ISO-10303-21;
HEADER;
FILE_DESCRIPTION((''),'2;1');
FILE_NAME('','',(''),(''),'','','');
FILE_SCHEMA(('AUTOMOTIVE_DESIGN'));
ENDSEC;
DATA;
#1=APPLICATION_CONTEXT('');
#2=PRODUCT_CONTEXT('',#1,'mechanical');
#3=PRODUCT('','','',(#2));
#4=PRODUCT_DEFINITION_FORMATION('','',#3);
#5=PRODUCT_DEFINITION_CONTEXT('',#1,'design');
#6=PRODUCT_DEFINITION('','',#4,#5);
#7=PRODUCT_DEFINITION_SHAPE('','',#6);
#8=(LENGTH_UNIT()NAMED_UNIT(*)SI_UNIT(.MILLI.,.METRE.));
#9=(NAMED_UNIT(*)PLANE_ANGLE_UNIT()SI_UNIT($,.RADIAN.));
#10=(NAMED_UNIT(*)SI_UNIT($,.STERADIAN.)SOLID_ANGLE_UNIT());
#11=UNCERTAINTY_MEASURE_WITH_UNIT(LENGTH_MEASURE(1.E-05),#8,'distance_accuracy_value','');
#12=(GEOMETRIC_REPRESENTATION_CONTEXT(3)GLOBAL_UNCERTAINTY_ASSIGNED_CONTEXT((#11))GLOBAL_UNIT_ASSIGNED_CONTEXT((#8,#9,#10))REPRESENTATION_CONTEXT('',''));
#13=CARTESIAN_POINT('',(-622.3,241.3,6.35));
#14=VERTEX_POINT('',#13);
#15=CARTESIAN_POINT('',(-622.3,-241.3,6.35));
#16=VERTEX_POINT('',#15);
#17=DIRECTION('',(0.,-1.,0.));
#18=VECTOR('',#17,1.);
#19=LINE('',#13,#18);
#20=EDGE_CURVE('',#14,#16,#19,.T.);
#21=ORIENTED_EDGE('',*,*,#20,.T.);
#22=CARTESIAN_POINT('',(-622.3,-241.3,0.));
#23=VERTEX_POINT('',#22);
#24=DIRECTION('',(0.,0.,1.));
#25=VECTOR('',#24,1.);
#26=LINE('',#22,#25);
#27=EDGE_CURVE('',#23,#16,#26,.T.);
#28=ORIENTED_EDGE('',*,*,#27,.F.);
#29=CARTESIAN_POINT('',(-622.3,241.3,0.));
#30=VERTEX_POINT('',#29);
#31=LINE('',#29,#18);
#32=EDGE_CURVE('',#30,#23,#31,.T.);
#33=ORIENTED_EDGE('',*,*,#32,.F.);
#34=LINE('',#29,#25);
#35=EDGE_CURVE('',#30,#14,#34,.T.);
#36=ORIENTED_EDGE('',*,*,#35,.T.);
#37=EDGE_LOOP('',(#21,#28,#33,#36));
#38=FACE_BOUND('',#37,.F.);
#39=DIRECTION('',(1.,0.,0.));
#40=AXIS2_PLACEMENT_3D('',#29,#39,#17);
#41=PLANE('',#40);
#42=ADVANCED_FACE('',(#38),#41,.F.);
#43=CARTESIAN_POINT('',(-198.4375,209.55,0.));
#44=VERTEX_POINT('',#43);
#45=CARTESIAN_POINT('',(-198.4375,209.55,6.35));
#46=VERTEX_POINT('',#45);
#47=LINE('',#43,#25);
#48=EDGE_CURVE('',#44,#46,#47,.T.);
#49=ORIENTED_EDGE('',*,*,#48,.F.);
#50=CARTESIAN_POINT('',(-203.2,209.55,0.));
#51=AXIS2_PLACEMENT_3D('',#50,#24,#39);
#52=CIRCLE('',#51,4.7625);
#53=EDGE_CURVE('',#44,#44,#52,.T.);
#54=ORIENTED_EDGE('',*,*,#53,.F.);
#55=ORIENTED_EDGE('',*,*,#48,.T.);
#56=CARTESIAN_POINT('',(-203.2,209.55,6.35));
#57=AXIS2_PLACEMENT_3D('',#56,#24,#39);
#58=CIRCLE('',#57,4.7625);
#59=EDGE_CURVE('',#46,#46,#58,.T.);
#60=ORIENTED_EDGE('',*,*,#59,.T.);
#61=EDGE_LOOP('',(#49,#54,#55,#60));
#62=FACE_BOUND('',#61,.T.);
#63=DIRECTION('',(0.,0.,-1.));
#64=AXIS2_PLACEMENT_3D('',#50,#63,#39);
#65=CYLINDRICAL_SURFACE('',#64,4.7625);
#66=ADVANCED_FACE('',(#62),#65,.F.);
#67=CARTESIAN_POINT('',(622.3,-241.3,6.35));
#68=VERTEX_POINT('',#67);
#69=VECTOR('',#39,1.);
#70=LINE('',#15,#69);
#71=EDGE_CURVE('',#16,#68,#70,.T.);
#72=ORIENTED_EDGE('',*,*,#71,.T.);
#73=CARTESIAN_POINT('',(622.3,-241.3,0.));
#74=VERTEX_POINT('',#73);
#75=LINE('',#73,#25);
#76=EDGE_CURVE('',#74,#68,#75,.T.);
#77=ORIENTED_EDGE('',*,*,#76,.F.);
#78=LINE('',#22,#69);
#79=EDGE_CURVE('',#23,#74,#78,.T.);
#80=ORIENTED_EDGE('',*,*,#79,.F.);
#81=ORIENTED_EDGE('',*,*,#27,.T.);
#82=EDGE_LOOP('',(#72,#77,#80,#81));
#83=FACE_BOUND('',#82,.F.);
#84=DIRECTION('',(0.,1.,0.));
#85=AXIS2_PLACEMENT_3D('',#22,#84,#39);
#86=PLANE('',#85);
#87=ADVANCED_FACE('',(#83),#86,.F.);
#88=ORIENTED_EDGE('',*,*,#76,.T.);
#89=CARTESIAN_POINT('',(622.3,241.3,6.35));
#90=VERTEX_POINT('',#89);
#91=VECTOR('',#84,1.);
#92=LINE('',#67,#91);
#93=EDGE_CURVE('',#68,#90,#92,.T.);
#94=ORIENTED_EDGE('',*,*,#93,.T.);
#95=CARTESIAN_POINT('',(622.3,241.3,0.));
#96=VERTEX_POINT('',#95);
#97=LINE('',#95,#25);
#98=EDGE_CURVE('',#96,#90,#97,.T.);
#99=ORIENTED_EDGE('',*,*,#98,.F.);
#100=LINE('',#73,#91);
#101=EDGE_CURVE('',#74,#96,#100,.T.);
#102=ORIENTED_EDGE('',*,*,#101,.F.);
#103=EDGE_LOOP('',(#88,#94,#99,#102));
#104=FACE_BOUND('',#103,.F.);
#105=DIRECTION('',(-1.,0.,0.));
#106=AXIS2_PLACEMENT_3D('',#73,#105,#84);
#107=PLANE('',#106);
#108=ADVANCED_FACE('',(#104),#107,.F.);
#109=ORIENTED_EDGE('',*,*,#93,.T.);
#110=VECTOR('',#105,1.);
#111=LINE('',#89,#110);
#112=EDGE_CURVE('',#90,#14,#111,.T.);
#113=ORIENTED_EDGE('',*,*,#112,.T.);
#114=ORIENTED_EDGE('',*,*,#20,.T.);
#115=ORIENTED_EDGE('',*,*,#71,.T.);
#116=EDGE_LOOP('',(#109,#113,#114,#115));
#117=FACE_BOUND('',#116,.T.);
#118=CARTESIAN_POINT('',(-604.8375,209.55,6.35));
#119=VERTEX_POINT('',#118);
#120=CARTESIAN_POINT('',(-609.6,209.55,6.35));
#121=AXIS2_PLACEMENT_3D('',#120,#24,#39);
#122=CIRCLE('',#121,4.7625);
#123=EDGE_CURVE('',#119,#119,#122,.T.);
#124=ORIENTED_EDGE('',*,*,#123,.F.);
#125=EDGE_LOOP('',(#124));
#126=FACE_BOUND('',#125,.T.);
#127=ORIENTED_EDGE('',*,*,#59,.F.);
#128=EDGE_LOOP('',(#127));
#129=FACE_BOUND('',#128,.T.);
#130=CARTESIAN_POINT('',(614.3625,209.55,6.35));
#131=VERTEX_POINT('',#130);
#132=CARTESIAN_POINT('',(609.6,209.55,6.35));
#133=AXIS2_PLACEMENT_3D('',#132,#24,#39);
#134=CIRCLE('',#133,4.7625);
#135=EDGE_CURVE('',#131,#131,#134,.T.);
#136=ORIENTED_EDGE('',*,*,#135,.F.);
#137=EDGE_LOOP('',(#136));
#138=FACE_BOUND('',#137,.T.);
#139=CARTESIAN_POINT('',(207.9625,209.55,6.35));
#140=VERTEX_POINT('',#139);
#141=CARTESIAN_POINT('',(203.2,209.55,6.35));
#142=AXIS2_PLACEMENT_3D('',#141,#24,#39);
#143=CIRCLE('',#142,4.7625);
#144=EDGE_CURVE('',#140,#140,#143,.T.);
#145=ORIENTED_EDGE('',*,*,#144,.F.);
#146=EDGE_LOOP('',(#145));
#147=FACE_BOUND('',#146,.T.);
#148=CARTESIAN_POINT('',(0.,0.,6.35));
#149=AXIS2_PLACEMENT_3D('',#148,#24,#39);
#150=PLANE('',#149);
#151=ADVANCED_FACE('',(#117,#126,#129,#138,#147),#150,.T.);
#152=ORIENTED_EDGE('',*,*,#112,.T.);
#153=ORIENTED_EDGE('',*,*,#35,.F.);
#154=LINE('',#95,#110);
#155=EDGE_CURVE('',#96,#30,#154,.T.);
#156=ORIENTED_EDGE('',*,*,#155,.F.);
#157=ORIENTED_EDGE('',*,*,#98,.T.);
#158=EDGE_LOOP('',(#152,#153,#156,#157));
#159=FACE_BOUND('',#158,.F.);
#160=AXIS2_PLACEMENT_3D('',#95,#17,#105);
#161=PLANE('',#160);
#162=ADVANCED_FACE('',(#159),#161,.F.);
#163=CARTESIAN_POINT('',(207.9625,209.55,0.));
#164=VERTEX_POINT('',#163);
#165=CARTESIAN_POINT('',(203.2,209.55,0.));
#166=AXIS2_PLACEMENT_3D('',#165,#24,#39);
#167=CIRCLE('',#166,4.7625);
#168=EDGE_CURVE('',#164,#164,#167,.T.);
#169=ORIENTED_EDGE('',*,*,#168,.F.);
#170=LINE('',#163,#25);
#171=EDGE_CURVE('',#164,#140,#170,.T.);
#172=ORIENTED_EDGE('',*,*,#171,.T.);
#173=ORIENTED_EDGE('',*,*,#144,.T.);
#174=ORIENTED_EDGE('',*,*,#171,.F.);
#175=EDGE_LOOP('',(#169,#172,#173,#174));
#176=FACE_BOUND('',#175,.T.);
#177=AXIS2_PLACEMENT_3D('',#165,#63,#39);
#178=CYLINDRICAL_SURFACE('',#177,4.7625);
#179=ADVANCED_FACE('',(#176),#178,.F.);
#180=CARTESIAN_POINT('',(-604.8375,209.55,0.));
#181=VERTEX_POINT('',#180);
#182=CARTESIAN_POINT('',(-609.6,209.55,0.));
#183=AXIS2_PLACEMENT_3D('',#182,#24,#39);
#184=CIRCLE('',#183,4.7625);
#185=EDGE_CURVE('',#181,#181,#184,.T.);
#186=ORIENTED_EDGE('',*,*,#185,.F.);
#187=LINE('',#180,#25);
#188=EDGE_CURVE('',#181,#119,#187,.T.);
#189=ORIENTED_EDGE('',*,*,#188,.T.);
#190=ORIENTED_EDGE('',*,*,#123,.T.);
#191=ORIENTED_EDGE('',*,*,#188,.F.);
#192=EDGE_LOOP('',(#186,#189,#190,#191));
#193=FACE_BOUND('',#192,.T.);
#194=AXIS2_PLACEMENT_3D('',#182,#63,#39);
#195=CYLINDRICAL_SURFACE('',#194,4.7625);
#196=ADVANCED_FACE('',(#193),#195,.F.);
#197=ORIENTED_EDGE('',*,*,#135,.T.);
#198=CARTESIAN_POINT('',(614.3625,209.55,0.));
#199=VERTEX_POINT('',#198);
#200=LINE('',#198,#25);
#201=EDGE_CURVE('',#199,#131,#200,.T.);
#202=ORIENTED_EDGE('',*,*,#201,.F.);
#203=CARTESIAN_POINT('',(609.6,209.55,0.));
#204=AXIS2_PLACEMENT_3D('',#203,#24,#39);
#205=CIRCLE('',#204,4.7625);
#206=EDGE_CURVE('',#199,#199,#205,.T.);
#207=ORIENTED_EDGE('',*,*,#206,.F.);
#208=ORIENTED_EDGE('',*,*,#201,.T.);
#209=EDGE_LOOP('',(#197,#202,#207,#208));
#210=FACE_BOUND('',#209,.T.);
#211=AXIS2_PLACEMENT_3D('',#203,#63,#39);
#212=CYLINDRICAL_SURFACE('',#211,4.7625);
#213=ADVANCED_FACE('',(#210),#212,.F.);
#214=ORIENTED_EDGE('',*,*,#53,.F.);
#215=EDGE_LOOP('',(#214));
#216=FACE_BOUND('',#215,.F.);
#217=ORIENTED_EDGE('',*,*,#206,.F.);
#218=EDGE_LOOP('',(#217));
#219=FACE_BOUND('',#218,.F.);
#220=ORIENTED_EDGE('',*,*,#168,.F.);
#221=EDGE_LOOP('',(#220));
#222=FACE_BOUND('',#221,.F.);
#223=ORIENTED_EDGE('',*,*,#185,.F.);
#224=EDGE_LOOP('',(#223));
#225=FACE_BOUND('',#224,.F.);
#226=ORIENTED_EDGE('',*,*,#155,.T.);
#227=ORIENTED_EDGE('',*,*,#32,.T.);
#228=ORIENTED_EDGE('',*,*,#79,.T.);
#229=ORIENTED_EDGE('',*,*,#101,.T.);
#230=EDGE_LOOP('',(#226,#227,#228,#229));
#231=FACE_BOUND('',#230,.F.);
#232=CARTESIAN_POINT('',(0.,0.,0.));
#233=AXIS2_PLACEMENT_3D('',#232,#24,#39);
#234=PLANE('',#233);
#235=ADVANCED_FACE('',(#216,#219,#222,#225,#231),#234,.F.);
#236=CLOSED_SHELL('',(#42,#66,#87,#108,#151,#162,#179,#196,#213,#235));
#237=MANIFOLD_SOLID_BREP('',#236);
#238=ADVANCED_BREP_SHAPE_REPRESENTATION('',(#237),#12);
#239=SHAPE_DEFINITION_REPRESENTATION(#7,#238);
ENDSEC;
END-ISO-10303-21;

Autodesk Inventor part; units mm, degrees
ref_plane "YZ Plane" through (0, 0, 0) normal (1, 0, 0) x (0, 1, 0)
ref_plane "XZ Plane" through (0, 0, 0) normal (0, 1, 0) x (-1, 0, 0)
ref_plane "XY Plane" through (0, 0, 0) normal (0, 0, 1) x (1, 0, 0)
sketch "Sketch1" plane through (0, 0, 0) normal (0, 0, 1) x (1, 0, 0)
  line L0 (-622.3, -241.3) -> (622.3, -241.3)
  line L1 (622.3, -241.3) -> (622.3, 241.3)
  line L2 (622.3, 241.3) -> (-622.3, 241.3)
  line L3 (-622.3, 241.3) -> (-622.3, -241.3)
  line L4 (-622.3, -241.3) -> (622.3, 241.3) construction
  line L5 (622.3, -241.3) -> (-622.3, 241.3) construction
  circle A0 centre (-609.6, 209.55) radius 4.7625
  circle A1 centre (-203.2, 209.55) radius 4.7625
  circle A2 centre (203.2, 209.55) radius 4.7625
  circle A3 centre (609.6, 209.55) radius 4.7625
  point P0 (0, 0)
  dimension "d0" = 1244.6
  dimension "d1" = 482.6
  dimension "d2" = 9.525
  dimension "d3" = 31.75
  dimension "d6" = 406.4
  dimension "d11" = 203.2
extrude "Extrusion1" add sketch "Sketch1" along normal blind 6.35
equation "\"d11\" = 0.5 * d6"
properties part number "FE-100-002 Secondary Panel" material "Polycarbonate, Clear"
